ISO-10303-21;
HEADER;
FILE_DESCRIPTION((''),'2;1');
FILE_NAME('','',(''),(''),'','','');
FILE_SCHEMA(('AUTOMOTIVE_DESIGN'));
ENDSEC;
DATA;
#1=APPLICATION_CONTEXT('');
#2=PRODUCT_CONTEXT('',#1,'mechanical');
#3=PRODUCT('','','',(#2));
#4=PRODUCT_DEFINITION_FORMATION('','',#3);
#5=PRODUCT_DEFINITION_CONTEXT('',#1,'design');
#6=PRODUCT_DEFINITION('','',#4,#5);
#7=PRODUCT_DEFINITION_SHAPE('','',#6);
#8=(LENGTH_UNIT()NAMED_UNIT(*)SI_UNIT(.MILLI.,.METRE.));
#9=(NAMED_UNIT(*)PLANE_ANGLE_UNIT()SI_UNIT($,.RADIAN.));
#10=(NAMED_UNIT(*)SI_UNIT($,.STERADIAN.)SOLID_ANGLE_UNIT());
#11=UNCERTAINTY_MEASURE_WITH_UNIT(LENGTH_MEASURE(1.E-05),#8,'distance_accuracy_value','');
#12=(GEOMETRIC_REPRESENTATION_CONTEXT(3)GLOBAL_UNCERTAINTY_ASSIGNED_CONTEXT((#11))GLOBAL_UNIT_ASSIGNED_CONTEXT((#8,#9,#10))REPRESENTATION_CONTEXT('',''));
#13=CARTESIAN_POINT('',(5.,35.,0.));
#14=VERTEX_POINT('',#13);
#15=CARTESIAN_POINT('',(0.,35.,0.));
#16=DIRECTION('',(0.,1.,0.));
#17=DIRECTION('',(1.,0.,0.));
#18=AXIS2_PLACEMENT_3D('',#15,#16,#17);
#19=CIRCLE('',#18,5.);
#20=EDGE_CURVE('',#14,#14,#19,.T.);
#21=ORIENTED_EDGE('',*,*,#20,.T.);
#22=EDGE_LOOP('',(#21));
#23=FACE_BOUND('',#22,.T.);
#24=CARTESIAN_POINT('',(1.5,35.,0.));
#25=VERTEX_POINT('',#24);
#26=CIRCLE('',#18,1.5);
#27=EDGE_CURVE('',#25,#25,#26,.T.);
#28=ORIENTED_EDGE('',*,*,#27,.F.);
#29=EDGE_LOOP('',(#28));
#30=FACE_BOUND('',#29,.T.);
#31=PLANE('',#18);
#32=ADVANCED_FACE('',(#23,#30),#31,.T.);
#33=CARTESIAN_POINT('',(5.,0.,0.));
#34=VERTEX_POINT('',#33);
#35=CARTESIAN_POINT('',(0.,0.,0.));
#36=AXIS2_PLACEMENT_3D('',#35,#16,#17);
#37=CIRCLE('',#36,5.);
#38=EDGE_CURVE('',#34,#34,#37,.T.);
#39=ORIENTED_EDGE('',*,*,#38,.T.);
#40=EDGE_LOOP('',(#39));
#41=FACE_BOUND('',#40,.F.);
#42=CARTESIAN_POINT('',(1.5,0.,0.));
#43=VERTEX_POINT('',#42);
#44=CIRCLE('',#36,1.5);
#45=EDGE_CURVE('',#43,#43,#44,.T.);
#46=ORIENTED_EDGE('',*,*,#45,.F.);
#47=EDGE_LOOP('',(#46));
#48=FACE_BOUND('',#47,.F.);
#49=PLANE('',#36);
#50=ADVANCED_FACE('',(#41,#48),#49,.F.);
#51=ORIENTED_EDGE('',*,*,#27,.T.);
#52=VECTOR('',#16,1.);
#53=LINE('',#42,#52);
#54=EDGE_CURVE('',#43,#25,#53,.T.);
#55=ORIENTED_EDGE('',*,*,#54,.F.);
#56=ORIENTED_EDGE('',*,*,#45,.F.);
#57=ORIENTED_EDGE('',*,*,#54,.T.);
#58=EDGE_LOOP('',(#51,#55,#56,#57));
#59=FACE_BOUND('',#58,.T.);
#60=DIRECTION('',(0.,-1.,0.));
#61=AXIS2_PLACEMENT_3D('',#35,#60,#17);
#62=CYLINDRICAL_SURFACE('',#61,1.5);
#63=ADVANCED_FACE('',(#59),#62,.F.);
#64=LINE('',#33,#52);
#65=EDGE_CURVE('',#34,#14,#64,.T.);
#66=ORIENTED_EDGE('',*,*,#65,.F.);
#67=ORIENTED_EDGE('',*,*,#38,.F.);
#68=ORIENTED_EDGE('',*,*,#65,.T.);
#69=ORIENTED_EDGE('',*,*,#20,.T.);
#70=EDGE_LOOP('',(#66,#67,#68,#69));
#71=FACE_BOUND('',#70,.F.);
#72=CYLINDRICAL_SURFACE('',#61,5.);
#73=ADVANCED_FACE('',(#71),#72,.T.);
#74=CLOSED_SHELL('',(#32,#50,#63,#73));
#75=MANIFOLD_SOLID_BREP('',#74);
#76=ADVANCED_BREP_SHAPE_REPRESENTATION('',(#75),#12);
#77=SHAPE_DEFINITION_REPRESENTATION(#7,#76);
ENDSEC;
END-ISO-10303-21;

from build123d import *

# Parameters (mm, degrees)
SKETCH2_R           = 5
SKETCH2_R_2         = 1.5
BOSS_EXTRUDE1_DEPTH = 35


with BuildPart() as part:
    # Sketch2 → Boss-Extrude1 (new body)
    with BuildSketch(Plane(origin=(0, 0, 0), x_dir=(1, 0, 0), z_dir=(0, 1, 0))):
        Circle(SKETCH2_R)
        Circle(SKETCH2_R_2, mode=Mode.SUBTRACT)
    extrude(amount=BOSS_EXTRUDE1_DEPTH)


solid = part.part
